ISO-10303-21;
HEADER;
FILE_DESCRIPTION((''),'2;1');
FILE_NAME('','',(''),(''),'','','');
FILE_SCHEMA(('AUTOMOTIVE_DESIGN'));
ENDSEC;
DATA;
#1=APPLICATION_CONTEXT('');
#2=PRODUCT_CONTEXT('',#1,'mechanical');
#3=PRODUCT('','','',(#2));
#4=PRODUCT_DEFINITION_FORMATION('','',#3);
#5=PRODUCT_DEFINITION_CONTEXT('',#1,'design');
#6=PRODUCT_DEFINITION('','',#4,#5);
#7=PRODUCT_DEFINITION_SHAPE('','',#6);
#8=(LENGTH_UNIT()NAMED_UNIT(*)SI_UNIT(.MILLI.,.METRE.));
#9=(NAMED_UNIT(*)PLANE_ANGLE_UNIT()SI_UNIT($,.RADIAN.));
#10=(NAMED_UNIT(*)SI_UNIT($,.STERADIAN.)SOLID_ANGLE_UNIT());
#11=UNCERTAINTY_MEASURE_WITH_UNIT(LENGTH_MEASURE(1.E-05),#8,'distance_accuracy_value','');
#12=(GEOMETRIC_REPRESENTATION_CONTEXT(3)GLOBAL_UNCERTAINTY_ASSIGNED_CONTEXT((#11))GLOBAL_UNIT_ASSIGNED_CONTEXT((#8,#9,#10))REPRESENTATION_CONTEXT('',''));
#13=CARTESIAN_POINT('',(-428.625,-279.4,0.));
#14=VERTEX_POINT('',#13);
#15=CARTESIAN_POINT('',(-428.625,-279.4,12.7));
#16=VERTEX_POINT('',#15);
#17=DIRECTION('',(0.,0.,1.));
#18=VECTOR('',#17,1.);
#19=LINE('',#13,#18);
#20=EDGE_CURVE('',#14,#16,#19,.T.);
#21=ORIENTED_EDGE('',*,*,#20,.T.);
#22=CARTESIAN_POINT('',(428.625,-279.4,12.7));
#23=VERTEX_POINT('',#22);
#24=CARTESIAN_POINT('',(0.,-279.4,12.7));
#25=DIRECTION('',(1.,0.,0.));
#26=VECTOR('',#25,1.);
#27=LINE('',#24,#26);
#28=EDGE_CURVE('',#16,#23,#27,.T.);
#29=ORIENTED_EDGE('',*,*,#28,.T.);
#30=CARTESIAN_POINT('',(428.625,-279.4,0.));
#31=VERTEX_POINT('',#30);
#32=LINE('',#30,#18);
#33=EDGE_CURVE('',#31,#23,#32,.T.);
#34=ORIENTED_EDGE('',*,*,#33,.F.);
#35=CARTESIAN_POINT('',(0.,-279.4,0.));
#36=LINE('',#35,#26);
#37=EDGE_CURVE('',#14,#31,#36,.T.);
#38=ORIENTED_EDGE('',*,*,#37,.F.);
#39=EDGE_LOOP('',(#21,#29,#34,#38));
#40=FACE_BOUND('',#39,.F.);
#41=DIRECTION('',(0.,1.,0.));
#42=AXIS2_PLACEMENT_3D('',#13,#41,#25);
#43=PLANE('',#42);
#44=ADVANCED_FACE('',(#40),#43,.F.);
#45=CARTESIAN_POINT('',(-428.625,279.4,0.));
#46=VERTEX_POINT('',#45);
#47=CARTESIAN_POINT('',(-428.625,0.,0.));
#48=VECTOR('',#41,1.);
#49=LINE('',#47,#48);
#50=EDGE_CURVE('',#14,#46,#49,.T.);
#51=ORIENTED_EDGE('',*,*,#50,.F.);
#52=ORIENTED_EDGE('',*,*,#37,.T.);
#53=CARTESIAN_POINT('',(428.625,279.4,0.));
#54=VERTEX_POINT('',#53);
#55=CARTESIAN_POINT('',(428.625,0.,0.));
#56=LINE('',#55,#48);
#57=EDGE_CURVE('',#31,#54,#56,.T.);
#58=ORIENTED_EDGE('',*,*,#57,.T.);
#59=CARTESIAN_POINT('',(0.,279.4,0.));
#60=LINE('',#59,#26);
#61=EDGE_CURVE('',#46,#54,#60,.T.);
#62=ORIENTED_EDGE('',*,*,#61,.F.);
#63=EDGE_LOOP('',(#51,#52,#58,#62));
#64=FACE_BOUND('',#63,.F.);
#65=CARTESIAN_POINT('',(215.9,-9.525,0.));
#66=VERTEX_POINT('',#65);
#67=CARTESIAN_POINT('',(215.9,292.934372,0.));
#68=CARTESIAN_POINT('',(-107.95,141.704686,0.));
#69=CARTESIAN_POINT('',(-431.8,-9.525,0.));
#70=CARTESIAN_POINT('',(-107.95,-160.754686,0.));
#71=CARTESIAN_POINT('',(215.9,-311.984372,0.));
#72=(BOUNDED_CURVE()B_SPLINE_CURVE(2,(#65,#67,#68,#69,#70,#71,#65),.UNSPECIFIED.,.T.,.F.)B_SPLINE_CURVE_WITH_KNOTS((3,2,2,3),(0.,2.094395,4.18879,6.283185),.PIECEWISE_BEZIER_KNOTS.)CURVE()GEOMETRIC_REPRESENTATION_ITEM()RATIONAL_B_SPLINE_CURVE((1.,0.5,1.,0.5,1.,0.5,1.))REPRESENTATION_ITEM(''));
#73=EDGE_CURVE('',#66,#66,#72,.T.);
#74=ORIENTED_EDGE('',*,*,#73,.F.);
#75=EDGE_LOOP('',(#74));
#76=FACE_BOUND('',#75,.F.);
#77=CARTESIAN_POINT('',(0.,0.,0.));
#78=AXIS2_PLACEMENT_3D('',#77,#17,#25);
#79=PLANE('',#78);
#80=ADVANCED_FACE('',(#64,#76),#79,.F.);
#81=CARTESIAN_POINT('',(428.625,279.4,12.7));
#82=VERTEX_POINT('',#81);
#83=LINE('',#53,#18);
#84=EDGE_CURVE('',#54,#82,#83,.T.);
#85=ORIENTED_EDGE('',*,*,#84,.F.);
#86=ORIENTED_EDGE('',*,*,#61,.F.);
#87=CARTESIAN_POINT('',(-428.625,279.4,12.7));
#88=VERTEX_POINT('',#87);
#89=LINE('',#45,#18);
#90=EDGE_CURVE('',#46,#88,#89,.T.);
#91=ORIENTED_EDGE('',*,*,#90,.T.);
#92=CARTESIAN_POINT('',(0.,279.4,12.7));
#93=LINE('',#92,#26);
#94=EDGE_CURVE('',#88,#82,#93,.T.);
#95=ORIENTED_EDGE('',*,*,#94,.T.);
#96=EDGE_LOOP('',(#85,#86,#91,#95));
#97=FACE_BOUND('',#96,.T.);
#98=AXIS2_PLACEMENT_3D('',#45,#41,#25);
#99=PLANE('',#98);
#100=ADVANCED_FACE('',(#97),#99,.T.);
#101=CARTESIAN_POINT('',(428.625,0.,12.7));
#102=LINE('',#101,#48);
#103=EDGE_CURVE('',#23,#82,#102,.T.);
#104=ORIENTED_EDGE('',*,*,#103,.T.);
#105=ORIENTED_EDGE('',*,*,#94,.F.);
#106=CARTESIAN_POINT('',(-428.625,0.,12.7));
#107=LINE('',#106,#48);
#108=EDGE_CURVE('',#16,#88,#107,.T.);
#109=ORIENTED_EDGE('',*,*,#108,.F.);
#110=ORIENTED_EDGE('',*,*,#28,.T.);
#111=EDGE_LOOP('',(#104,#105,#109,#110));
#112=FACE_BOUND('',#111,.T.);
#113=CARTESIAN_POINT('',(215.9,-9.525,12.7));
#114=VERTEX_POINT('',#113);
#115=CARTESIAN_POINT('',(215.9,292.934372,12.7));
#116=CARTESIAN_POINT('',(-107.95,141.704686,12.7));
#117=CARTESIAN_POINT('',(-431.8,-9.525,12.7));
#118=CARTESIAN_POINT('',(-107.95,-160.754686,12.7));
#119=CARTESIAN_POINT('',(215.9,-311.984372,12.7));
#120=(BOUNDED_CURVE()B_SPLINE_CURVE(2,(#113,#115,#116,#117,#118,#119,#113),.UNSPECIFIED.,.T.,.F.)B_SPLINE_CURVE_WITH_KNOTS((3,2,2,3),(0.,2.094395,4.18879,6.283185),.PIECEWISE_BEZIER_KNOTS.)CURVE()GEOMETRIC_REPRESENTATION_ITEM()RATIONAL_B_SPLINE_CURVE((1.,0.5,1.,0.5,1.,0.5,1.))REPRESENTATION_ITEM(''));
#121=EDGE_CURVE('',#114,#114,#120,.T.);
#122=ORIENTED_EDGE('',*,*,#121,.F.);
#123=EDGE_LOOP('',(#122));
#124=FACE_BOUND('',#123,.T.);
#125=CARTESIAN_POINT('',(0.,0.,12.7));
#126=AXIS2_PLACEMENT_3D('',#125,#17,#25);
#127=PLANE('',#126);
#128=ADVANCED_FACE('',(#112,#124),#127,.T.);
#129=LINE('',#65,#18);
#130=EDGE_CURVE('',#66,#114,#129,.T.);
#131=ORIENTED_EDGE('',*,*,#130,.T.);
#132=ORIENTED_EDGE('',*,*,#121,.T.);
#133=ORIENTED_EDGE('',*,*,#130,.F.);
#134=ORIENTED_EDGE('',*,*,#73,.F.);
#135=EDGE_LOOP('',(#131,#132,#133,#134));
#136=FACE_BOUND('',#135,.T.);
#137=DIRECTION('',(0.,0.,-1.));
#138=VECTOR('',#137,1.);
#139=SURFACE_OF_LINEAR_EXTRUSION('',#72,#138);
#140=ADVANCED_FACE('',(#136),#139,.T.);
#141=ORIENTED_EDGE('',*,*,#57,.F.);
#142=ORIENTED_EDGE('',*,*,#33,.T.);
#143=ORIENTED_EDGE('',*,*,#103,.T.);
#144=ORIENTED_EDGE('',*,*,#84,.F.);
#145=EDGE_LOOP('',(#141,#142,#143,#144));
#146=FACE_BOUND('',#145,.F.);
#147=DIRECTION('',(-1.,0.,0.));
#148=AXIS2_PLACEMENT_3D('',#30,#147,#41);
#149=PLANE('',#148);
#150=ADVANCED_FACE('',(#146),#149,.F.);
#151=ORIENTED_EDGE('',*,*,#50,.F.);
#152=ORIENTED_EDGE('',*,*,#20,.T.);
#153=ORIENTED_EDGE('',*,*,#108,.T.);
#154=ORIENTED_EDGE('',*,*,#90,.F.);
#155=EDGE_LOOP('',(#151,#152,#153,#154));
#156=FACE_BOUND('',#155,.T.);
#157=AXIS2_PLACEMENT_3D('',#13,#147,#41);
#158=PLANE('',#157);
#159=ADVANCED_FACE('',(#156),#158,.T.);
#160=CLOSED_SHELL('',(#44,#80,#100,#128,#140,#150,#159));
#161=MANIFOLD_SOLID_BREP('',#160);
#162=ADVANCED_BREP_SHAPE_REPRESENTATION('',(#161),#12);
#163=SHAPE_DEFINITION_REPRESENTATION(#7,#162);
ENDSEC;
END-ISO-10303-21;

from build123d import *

# Parameters (mm, degrees)
F0_W     = 857.25
F0_H     = 558.8
F1_DEPTH = 12.7


with BuildPart() as f1:
    # F0 (on Top) → F1 (new body)
    with BuildSketch(Plane.XY):
        Rectangle(F0_W, F0_H)
        with BuildLine():
            add(Edge.make_bspline(
                [(215.9, -9.525), (215.9, 292.934372), (-107.95, 141.704686), (-431.8, -9.525), (-107.95, -160.754686), (215.9, -311.984372), (215.9, -9.525)],
                knots=[0, 0, 0, 2.094395, 2.094395, 4.18879, 4.18879, 6.283185, 6.283185, 6.283185], degree=2, weights=[1, 0.5, 1, 0.5, 1, 0.5, 1]))
        make_face(mode=Mode.SUBTRACT)
    extrude(amount=F1_DEPTH)


solid = f1.part
